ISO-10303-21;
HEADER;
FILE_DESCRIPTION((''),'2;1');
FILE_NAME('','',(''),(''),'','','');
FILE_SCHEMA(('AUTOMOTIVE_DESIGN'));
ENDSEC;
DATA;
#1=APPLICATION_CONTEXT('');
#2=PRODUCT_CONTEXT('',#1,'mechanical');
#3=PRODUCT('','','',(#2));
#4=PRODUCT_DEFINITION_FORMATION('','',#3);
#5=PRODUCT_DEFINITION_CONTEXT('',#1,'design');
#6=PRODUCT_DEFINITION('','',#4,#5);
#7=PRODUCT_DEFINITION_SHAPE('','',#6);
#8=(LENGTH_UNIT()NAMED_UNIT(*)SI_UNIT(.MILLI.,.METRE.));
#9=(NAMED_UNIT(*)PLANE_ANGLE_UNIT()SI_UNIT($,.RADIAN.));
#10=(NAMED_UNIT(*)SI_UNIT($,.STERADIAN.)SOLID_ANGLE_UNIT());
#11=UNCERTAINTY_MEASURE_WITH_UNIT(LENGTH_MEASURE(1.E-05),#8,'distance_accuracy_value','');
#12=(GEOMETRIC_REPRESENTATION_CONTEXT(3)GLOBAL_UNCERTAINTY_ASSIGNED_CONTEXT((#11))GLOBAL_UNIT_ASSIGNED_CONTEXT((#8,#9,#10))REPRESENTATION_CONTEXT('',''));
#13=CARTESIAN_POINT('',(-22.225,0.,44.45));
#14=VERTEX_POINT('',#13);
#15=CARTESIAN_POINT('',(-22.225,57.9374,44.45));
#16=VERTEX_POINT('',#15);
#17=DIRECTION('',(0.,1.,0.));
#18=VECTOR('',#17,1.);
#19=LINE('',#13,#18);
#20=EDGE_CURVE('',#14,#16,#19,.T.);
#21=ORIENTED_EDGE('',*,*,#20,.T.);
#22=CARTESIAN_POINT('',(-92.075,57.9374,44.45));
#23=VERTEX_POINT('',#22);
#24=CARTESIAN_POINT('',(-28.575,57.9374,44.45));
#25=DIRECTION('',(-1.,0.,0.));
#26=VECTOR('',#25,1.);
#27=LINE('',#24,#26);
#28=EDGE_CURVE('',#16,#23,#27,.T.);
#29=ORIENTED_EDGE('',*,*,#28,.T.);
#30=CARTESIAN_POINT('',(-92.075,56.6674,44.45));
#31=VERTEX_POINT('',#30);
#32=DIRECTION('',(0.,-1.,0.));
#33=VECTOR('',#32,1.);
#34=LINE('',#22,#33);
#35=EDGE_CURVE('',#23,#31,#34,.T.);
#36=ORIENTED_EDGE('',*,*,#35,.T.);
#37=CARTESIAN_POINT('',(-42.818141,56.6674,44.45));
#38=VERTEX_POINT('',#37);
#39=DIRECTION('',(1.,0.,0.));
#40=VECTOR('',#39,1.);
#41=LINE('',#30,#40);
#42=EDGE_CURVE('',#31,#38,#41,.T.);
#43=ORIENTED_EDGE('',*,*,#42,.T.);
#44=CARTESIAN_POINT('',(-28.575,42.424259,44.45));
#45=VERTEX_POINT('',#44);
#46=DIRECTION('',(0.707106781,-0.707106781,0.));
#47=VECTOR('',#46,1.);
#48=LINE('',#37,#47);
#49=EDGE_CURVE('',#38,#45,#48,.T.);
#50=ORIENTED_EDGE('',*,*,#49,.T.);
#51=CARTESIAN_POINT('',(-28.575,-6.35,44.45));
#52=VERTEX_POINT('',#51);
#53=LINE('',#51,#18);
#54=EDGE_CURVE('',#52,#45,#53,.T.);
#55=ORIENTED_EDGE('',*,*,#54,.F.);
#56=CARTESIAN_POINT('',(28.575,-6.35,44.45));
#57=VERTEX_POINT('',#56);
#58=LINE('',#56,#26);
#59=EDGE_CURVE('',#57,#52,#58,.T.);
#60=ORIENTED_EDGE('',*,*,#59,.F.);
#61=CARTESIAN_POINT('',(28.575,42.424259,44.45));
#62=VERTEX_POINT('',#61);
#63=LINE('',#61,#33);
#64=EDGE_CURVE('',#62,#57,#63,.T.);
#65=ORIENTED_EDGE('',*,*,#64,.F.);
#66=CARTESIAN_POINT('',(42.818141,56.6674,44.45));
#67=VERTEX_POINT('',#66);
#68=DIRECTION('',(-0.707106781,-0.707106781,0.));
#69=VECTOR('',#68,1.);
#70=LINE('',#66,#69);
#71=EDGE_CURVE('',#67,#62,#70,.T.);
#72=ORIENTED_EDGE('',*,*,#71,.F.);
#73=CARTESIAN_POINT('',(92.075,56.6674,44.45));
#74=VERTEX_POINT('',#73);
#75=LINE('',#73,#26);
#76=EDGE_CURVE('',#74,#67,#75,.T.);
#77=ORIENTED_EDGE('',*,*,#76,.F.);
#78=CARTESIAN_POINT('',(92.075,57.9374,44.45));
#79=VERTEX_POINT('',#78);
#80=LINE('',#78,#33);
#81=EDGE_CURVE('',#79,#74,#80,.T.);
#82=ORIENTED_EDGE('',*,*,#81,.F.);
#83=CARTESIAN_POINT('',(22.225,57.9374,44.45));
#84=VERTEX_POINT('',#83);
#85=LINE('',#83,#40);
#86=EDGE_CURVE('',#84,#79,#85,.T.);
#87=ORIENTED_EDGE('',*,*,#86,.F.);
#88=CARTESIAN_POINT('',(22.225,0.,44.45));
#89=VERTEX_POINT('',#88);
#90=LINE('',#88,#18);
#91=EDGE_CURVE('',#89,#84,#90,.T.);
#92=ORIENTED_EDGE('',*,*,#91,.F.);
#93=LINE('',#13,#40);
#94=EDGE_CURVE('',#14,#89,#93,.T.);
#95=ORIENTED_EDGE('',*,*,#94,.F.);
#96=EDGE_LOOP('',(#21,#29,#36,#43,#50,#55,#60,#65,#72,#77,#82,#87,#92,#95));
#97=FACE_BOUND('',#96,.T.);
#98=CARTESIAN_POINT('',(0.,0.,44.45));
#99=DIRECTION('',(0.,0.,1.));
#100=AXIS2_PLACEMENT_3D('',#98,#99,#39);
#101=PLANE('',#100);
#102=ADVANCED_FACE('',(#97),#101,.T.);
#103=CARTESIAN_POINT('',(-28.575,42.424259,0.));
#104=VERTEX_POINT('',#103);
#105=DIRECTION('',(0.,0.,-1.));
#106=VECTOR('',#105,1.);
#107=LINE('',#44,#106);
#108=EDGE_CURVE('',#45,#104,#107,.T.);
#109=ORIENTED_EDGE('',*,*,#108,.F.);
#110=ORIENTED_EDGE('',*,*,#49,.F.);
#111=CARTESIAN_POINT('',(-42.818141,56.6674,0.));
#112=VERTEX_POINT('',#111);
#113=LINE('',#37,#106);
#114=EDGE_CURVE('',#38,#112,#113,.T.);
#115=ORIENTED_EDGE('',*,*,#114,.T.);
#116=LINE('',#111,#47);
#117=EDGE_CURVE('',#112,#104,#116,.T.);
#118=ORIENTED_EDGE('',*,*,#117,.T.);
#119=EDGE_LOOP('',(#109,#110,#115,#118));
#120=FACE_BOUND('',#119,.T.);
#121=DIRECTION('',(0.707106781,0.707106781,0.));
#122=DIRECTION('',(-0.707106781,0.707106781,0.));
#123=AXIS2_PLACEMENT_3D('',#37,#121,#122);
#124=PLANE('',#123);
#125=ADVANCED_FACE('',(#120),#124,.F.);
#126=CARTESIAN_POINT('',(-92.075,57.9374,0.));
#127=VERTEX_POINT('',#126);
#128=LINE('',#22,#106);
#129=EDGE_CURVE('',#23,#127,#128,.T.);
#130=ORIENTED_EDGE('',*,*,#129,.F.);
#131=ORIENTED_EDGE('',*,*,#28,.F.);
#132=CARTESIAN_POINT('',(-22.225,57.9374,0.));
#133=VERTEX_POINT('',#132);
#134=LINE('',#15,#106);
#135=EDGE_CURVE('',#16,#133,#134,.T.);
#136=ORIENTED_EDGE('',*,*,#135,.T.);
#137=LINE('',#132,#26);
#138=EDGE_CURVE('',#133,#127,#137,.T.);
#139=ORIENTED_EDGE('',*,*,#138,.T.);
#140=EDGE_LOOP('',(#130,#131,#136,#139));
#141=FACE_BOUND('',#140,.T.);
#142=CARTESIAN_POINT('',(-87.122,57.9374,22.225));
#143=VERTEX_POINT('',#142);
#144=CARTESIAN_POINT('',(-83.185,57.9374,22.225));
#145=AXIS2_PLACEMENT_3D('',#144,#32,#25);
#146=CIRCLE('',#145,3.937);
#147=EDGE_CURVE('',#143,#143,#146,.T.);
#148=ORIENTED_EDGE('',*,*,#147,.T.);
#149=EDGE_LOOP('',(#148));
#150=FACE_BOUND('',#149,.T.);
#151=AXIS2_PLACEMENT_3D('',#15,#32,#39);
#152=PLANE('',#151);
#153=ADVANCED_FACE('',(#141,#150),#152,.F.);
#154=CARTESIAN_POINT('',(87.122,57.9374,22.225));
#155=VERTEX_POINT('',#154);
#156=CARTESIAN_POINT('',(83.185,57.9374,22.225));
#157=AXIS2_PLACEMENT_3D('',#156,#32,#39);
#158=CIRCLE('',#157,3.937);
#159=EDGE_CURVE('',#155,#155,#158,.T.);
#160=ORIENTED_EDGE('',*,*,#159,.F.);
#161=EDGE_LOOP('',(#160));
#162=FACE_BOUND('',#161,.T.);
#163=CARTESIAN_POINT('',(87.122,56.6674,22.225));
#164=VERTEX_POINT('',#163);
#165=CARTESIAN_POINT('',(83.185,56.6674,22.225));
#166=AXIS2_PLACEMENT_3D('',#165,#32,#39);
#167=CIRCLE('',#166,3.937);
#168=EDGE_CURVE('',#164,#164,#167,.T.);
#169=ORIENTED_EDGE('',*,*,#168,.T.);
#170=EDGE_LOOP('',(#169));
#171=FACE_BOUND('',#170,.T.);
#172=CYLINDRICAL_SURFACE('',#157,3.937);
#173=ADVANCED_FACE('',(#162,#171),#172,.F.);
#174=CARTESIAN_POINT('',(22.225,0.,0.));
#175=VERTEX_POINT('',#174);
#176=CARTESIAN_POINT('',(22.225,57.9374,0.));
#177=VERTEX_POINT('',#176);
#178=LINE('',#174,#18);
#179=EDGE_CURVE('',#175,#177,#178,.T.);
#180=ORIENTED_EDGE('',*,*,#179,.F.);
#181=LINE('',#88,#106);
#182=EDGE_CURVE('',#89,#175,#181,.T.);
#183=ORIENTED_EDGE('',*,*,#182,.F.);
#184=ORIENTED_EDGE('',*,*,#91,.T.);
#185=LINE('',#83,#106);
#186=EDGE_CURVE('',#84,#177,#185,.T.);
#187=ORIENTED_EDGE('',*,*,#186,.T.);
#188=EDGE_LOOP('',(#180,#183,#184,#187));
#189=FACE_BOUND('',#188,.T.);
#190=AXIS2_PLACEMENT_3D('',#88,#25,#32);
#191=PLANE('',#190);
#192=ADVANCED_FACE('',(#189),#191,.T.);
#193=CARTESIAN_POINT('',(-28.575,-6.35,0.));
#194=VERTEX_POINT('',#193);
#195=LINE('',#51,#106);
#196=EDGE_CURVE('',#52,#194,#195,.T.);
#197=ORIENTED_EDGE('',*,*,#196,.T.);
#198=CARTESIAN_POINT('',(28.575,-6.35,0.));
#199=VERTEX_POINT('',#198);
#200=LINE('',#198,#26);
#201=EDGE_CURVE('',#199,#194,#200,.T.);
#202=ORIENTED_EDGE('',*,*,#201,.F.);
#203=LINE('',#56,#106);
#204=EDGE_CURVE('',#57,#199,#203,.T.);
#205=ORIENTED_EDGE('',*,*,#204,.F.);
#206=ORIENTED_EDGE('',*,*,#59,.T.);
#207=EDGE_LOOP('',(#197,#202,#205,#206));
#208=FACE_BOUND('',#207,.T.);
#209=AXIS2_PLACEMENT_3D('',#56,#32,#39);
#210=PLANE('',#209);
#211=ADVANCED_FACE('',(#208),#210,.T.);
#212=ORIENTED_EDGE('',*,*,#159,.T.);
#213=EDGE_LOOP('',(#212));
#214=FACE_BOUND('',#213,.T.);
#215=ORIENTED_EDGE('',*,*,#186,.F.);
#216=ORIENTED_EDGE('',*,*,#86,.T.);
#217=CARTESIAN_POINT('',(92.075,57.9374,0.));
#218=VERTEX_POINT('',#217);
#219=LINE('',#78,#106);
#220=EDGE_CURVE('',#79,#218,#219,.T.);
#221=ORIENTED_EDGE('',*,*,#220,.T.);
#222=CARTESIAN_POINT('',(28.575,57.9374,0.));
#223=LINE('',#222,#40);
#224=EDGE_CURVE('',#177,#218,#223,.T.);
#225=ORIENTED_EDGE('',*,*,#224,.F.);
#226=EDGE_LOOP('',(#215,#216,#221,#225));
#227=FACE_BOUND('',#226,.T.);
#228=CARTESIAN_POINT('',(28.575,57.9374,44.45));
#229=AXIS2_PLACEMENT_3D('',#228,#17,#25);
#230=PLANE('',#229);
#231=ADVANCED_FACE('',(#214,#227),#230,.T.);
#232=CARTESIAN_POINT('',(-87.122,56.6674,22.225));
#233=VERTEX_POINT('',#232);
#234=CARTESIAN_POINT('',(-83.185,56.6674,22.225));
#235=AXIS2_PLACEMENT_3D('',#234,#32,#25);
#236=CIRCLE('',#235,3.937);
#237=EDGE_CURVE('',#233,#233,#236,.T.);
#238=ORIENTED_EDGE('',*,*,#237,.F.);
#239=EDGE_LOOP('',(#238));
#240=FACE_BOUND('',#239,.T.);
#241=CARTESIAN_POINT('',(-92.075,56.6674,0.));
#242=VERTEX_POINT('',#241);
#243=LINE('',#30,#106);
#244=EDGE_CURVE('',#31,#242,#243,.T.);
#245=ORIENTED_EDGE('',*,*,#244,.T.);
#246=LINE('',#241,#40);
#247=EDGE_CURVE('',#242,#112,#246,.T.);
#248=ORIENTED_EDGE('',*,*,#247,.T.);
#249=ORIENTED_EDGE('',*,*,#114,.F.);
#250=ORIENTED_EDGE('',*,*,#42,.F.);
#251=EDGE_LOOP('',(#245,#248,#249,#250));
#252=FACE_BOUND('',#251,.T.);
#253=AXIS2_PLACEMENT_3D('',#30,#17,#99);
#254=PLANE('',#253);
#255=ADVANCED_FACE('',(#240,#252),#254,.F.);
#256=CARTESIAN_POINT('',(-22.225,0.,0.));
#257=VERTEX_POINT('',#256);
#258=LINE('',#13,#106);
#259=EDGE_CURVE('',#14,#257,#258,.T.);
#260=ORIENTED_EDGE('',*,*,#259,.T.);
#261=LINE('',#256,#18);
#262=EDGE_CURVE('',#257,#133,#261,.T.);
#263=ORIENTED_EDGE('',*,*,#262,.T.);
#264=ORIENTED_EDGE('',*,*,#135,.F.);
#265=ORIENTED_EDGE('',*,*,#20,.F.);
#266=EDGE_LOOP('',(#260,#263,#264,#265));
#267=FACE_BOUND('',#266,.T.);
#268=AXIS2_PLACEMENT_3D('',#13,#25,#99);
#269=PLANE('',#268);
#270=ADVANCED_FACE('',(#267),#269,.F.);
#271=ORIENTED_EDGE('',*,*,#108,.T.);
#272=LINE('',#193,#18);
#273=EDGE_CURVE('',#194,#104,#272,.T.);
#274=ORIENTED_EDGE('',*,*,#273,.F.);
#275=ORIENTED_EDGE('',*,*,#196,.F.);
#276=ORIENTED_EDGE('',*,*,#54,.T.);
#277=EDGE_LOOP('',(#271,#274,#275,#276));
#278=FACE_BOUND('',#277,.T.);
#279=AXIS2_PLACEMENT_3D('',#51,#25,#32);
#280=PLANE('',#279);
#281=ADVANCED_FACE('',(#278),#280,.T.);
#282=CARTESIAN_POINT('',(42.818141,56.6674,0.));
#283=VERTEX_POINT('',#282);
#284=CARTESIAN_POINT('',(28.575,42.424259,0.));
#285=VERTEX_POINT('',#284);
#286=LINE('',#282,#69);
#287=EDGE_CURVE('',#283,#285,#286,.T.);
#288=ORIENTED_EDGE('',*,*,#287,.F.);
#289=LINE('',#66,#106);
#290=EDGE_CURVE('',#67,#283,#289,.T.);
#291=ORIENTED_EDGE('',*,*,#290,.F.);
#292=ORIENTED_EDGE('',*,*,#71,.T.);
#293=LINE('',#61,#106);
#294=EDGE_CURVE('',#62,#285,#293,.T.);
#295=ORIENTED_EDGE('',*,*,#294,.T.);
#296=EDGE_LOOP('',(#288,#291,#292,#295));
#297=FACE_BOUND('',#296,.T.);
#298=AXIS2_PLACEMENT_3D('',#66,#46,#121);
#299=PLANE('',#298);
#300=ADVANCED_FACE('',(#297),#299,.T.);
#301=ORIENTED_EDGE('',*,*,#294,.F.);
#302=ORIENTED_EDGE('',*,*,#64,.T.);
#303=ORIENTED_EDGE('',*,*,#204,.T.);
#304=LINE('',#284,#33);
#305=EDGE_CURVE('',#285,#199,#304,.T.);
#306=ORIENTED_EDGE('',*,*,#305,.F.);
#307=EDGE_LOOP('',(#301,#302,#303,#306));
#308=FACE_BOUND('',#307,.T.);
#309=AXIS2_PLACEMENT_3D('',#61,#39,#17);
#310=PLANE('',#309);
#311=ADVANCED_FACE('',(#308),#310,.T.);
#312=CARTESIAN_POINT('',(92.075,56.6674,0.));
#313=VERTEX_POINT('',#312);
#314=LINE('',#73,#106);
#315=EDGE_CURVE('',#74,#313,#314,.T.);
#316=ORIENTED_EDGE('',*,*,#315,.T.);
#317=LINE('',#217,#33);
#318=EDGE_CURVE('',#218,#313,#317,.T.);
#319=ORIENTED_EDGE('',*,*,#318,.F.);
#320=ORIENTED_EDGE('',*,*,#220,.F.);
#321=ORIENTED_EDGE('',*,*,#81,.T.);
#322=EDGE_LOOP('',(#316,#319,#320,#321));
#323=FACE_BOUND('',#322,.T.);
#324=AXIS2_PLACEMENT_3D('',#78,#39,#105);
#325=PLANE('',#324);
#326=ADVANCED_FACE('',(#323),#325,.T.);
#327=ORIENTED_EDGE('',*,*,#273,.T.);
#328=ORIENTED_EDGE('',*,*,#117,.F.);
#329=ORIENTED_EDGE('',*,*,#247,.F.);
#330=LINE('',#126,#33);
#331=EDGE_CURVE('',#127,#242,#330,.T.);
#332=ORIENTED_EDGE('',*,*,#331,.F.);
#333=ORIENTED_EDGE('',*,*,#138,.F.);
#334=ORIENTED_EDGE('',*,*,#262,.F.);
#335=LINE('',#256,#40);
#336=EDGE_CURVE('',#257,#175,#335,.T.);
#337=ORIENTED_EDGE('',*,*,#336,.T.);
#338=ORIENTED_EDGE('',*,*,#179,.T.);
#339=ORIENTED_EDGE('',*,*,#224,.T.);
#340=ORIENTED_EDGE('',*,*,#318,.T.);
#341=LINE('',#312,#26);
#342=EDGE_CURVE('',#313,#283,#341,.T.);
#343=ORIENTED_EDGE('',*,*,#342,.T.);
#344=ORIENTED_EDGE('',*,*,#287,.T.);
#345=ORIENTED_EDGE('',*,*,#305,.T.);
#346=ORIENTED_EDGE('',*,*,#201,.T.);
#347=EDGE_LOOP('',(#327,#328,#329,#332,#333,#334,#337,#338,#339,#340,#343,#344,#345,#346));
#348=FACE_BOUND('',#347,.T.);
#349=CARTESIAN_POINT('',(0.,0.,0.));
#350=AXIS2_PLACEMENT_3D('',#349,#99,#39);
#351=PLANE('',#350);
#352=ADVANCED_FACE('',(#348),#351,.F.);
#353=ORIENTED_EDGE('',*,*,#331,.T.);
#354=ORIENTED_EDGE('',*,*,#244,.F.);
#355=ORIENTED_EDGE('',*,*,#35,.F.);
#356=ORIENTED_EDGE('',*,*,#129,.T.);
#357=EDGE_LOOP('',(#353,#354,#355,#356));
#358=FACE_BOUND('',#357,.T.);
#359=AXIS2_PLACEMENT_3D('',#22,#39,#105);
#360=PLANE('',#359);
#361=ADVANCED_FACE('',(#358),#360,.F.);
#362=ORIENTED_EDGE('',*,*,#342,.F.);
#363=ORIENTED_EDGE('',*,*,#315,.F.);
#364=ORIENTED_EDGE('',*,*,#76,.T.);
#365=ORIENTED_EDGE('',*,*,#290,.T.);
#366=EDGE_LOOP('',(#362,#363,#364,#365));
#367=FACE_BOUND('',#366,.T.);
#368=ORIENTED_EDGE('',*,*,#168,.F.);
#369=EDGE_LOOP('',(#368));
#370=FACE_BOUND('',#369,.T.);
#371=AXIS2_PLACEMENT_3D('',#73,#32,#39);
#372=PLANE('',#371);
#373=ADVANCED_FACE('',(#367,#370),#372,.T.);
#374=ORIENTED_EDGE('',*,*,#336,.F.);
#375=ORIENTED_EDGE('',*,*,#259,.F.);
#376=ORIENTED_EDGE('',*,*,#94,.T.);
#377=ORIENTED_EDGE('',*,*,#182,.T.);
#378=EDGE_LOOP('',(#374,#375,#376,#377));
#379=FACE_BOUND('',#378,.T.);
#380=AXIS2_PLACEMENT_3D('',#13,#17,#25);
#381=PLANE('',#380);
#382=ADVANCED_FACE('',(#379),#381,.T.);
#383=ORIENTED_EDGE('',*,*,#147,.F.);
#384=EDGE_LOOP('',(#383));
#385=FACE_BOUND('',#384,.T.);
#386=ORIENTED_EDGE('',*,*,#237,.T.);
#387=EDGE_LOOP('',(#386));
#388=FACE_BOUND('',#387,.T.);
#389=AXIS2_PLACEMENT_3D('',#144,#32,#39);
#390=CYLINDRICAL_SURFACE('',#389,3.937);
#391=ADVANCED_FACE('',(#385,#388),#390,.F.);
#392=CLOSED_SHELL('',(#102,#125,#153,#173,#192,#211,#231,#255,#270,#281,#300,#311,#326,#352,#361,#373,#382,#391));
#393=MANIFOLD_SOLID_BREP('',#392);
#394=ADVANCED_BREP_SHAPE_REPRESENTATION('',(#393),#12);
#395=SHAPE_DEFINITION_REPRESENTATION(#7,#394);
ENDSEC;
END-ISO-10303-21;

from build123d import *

# Parameters (mm, degrees)
BOSS_EXTRUDE1_DEPTH = 44.45
SKETCH2_R           = 3.937
CUT_EXTRUDE1_DEPTH  = 121.103292327


with BuildPart() as part:
    # Sketch1 → Boss-Extrude1 (new body)
    with BuildSketch(Plane.XY):
        Polygon((-22.225, 0), (22.225, 0), (22.225, 57.9374), (28.575, 57.9374), (92.075, 57.9374), (92.075, 56.6674), (42.818141465, 56.6674), (28.575, 42.424258535), (28.575, -6.35), (-28.575, -6.35), (-28.575, 42.424258535), (-42.818141465, 56.6674), (-92.075, 56.6674), (-92.075, 57.9374), (-28.575, 57.9374), (-22.225, 57.9374), align=None)
    extrude(amount=BOSS_EXTRUDE1_DEPTH)

    # Sketch2 → Cut-Extrude1 (cut, through all)
    with BuildSketch(Plane.XZ.offset(-56.6674)):
        with Locations((83.185, 22.225)):
            Circle(SKETCH2_R)
        with Locations(Location((-83.185, 22.225, 0), (0, 0, 180))):
            Circle(SKETCH2_R)
    extrude(amount=-CUT_EXTRUDE1_DEPTH, mode=Mode.SUBTRACT)


solid = part.part
